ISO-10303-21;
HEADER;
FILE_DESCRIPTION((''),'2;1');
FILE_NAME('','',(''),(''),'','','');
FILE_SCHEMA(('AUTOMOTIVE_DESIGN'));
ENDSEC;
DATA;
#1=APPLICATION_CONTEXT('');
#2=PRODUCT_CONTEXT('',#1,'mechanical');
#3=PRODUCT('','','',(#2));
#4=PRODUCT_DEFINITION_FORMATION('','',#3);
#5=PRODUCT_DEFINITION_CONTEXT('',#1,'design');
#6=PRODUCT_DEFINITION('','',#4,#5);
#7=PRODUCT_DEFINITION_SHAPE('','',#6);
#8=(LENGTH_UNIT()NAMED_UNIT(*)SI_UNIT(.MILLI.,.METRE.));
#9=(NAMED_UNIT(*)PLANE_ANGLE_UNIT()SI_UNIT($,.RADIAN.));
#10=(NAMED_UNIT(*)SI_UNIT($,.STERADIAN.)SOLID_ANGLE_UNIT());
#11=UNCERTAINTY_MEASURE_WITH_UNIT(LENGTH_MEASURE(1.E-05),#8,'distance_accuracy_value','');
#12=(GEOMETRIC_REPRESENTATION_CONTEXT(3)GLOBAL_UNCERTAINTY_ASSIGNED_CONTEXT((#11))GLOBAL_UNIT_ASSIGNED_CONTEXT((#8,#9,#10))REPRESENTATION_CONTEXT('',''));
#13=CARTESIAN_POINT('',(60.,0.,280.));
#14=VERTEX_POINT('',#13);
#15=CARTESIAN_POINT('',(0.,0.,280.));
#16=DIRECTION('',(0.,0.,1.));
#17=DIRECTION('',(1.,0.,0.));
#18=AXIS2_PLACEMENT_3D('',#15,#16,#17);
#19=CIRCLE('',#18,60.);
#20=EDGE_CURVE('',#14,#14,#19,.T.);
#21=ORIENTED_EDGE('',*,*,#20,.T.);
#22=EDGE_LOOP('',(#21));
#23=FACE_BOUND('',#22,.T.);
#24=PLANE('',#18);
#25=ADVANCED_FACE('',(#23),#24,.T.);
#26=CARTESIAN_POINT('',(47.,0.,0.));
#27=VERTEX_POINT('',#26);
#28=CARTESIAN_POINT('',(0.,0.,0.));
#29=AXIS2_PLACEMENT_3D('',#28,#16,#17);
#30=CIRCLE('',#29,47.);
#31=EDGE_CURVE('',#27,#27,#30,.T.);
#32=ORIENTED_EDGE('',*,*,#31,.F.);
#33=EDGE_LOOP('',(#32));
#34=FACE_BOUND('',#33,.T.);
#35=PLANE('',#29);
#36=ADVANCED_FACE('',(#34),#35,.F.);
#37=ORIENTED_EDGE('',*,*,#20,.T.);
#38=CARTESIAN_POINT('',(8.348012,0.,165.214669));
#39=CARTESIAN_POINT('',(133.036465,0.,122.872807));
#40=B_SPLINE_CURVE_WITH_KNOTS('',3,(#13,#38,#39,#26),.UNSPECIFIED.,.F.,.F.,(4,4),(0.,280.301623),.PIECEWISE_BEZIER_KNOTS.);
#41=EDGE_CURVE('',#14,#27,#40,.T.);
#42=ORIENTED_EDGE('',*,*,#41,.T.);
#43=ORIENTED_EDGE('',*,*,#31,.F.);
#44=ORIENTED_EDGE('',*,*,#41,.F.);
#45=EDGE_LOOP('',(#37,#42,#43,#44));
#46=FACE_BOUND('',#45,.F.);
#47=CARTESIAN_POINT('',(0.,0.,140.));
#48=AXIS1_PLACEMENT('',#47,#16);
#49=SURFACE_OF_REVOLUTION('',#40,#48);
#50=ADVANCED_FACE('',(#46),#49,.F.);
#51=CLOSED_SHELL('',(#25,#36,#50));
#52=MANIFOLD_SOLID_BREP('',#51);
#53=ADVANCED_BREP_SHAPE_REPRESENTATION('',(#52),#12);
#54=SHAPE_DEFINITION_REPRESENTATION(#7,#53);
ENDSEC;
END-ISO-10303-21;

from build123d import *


with BuildPart() as f1:
    # F0 (on Front) → F1 (revolve)
    with BuildSketch(Plane.XZ):
        with BuildLine():
            Line((0, 280), (0, 0))
            Line((0, 0), (47, 0))
            add(Edge.make_bspline(
                [(60, 280), (8.348012, 165.214669), (133.036465, 122.872807), (47, 0)],
                knots=[0, 0, 0, 0, 280.301623, 280.301623, 280.301623, 280.301623], degree=3))
            Line((60, 280), (0, 280))
        make_face()
    revolve(axis=Axis((0, 0, 140), (0, 0, 1)))


solid = f1.part
